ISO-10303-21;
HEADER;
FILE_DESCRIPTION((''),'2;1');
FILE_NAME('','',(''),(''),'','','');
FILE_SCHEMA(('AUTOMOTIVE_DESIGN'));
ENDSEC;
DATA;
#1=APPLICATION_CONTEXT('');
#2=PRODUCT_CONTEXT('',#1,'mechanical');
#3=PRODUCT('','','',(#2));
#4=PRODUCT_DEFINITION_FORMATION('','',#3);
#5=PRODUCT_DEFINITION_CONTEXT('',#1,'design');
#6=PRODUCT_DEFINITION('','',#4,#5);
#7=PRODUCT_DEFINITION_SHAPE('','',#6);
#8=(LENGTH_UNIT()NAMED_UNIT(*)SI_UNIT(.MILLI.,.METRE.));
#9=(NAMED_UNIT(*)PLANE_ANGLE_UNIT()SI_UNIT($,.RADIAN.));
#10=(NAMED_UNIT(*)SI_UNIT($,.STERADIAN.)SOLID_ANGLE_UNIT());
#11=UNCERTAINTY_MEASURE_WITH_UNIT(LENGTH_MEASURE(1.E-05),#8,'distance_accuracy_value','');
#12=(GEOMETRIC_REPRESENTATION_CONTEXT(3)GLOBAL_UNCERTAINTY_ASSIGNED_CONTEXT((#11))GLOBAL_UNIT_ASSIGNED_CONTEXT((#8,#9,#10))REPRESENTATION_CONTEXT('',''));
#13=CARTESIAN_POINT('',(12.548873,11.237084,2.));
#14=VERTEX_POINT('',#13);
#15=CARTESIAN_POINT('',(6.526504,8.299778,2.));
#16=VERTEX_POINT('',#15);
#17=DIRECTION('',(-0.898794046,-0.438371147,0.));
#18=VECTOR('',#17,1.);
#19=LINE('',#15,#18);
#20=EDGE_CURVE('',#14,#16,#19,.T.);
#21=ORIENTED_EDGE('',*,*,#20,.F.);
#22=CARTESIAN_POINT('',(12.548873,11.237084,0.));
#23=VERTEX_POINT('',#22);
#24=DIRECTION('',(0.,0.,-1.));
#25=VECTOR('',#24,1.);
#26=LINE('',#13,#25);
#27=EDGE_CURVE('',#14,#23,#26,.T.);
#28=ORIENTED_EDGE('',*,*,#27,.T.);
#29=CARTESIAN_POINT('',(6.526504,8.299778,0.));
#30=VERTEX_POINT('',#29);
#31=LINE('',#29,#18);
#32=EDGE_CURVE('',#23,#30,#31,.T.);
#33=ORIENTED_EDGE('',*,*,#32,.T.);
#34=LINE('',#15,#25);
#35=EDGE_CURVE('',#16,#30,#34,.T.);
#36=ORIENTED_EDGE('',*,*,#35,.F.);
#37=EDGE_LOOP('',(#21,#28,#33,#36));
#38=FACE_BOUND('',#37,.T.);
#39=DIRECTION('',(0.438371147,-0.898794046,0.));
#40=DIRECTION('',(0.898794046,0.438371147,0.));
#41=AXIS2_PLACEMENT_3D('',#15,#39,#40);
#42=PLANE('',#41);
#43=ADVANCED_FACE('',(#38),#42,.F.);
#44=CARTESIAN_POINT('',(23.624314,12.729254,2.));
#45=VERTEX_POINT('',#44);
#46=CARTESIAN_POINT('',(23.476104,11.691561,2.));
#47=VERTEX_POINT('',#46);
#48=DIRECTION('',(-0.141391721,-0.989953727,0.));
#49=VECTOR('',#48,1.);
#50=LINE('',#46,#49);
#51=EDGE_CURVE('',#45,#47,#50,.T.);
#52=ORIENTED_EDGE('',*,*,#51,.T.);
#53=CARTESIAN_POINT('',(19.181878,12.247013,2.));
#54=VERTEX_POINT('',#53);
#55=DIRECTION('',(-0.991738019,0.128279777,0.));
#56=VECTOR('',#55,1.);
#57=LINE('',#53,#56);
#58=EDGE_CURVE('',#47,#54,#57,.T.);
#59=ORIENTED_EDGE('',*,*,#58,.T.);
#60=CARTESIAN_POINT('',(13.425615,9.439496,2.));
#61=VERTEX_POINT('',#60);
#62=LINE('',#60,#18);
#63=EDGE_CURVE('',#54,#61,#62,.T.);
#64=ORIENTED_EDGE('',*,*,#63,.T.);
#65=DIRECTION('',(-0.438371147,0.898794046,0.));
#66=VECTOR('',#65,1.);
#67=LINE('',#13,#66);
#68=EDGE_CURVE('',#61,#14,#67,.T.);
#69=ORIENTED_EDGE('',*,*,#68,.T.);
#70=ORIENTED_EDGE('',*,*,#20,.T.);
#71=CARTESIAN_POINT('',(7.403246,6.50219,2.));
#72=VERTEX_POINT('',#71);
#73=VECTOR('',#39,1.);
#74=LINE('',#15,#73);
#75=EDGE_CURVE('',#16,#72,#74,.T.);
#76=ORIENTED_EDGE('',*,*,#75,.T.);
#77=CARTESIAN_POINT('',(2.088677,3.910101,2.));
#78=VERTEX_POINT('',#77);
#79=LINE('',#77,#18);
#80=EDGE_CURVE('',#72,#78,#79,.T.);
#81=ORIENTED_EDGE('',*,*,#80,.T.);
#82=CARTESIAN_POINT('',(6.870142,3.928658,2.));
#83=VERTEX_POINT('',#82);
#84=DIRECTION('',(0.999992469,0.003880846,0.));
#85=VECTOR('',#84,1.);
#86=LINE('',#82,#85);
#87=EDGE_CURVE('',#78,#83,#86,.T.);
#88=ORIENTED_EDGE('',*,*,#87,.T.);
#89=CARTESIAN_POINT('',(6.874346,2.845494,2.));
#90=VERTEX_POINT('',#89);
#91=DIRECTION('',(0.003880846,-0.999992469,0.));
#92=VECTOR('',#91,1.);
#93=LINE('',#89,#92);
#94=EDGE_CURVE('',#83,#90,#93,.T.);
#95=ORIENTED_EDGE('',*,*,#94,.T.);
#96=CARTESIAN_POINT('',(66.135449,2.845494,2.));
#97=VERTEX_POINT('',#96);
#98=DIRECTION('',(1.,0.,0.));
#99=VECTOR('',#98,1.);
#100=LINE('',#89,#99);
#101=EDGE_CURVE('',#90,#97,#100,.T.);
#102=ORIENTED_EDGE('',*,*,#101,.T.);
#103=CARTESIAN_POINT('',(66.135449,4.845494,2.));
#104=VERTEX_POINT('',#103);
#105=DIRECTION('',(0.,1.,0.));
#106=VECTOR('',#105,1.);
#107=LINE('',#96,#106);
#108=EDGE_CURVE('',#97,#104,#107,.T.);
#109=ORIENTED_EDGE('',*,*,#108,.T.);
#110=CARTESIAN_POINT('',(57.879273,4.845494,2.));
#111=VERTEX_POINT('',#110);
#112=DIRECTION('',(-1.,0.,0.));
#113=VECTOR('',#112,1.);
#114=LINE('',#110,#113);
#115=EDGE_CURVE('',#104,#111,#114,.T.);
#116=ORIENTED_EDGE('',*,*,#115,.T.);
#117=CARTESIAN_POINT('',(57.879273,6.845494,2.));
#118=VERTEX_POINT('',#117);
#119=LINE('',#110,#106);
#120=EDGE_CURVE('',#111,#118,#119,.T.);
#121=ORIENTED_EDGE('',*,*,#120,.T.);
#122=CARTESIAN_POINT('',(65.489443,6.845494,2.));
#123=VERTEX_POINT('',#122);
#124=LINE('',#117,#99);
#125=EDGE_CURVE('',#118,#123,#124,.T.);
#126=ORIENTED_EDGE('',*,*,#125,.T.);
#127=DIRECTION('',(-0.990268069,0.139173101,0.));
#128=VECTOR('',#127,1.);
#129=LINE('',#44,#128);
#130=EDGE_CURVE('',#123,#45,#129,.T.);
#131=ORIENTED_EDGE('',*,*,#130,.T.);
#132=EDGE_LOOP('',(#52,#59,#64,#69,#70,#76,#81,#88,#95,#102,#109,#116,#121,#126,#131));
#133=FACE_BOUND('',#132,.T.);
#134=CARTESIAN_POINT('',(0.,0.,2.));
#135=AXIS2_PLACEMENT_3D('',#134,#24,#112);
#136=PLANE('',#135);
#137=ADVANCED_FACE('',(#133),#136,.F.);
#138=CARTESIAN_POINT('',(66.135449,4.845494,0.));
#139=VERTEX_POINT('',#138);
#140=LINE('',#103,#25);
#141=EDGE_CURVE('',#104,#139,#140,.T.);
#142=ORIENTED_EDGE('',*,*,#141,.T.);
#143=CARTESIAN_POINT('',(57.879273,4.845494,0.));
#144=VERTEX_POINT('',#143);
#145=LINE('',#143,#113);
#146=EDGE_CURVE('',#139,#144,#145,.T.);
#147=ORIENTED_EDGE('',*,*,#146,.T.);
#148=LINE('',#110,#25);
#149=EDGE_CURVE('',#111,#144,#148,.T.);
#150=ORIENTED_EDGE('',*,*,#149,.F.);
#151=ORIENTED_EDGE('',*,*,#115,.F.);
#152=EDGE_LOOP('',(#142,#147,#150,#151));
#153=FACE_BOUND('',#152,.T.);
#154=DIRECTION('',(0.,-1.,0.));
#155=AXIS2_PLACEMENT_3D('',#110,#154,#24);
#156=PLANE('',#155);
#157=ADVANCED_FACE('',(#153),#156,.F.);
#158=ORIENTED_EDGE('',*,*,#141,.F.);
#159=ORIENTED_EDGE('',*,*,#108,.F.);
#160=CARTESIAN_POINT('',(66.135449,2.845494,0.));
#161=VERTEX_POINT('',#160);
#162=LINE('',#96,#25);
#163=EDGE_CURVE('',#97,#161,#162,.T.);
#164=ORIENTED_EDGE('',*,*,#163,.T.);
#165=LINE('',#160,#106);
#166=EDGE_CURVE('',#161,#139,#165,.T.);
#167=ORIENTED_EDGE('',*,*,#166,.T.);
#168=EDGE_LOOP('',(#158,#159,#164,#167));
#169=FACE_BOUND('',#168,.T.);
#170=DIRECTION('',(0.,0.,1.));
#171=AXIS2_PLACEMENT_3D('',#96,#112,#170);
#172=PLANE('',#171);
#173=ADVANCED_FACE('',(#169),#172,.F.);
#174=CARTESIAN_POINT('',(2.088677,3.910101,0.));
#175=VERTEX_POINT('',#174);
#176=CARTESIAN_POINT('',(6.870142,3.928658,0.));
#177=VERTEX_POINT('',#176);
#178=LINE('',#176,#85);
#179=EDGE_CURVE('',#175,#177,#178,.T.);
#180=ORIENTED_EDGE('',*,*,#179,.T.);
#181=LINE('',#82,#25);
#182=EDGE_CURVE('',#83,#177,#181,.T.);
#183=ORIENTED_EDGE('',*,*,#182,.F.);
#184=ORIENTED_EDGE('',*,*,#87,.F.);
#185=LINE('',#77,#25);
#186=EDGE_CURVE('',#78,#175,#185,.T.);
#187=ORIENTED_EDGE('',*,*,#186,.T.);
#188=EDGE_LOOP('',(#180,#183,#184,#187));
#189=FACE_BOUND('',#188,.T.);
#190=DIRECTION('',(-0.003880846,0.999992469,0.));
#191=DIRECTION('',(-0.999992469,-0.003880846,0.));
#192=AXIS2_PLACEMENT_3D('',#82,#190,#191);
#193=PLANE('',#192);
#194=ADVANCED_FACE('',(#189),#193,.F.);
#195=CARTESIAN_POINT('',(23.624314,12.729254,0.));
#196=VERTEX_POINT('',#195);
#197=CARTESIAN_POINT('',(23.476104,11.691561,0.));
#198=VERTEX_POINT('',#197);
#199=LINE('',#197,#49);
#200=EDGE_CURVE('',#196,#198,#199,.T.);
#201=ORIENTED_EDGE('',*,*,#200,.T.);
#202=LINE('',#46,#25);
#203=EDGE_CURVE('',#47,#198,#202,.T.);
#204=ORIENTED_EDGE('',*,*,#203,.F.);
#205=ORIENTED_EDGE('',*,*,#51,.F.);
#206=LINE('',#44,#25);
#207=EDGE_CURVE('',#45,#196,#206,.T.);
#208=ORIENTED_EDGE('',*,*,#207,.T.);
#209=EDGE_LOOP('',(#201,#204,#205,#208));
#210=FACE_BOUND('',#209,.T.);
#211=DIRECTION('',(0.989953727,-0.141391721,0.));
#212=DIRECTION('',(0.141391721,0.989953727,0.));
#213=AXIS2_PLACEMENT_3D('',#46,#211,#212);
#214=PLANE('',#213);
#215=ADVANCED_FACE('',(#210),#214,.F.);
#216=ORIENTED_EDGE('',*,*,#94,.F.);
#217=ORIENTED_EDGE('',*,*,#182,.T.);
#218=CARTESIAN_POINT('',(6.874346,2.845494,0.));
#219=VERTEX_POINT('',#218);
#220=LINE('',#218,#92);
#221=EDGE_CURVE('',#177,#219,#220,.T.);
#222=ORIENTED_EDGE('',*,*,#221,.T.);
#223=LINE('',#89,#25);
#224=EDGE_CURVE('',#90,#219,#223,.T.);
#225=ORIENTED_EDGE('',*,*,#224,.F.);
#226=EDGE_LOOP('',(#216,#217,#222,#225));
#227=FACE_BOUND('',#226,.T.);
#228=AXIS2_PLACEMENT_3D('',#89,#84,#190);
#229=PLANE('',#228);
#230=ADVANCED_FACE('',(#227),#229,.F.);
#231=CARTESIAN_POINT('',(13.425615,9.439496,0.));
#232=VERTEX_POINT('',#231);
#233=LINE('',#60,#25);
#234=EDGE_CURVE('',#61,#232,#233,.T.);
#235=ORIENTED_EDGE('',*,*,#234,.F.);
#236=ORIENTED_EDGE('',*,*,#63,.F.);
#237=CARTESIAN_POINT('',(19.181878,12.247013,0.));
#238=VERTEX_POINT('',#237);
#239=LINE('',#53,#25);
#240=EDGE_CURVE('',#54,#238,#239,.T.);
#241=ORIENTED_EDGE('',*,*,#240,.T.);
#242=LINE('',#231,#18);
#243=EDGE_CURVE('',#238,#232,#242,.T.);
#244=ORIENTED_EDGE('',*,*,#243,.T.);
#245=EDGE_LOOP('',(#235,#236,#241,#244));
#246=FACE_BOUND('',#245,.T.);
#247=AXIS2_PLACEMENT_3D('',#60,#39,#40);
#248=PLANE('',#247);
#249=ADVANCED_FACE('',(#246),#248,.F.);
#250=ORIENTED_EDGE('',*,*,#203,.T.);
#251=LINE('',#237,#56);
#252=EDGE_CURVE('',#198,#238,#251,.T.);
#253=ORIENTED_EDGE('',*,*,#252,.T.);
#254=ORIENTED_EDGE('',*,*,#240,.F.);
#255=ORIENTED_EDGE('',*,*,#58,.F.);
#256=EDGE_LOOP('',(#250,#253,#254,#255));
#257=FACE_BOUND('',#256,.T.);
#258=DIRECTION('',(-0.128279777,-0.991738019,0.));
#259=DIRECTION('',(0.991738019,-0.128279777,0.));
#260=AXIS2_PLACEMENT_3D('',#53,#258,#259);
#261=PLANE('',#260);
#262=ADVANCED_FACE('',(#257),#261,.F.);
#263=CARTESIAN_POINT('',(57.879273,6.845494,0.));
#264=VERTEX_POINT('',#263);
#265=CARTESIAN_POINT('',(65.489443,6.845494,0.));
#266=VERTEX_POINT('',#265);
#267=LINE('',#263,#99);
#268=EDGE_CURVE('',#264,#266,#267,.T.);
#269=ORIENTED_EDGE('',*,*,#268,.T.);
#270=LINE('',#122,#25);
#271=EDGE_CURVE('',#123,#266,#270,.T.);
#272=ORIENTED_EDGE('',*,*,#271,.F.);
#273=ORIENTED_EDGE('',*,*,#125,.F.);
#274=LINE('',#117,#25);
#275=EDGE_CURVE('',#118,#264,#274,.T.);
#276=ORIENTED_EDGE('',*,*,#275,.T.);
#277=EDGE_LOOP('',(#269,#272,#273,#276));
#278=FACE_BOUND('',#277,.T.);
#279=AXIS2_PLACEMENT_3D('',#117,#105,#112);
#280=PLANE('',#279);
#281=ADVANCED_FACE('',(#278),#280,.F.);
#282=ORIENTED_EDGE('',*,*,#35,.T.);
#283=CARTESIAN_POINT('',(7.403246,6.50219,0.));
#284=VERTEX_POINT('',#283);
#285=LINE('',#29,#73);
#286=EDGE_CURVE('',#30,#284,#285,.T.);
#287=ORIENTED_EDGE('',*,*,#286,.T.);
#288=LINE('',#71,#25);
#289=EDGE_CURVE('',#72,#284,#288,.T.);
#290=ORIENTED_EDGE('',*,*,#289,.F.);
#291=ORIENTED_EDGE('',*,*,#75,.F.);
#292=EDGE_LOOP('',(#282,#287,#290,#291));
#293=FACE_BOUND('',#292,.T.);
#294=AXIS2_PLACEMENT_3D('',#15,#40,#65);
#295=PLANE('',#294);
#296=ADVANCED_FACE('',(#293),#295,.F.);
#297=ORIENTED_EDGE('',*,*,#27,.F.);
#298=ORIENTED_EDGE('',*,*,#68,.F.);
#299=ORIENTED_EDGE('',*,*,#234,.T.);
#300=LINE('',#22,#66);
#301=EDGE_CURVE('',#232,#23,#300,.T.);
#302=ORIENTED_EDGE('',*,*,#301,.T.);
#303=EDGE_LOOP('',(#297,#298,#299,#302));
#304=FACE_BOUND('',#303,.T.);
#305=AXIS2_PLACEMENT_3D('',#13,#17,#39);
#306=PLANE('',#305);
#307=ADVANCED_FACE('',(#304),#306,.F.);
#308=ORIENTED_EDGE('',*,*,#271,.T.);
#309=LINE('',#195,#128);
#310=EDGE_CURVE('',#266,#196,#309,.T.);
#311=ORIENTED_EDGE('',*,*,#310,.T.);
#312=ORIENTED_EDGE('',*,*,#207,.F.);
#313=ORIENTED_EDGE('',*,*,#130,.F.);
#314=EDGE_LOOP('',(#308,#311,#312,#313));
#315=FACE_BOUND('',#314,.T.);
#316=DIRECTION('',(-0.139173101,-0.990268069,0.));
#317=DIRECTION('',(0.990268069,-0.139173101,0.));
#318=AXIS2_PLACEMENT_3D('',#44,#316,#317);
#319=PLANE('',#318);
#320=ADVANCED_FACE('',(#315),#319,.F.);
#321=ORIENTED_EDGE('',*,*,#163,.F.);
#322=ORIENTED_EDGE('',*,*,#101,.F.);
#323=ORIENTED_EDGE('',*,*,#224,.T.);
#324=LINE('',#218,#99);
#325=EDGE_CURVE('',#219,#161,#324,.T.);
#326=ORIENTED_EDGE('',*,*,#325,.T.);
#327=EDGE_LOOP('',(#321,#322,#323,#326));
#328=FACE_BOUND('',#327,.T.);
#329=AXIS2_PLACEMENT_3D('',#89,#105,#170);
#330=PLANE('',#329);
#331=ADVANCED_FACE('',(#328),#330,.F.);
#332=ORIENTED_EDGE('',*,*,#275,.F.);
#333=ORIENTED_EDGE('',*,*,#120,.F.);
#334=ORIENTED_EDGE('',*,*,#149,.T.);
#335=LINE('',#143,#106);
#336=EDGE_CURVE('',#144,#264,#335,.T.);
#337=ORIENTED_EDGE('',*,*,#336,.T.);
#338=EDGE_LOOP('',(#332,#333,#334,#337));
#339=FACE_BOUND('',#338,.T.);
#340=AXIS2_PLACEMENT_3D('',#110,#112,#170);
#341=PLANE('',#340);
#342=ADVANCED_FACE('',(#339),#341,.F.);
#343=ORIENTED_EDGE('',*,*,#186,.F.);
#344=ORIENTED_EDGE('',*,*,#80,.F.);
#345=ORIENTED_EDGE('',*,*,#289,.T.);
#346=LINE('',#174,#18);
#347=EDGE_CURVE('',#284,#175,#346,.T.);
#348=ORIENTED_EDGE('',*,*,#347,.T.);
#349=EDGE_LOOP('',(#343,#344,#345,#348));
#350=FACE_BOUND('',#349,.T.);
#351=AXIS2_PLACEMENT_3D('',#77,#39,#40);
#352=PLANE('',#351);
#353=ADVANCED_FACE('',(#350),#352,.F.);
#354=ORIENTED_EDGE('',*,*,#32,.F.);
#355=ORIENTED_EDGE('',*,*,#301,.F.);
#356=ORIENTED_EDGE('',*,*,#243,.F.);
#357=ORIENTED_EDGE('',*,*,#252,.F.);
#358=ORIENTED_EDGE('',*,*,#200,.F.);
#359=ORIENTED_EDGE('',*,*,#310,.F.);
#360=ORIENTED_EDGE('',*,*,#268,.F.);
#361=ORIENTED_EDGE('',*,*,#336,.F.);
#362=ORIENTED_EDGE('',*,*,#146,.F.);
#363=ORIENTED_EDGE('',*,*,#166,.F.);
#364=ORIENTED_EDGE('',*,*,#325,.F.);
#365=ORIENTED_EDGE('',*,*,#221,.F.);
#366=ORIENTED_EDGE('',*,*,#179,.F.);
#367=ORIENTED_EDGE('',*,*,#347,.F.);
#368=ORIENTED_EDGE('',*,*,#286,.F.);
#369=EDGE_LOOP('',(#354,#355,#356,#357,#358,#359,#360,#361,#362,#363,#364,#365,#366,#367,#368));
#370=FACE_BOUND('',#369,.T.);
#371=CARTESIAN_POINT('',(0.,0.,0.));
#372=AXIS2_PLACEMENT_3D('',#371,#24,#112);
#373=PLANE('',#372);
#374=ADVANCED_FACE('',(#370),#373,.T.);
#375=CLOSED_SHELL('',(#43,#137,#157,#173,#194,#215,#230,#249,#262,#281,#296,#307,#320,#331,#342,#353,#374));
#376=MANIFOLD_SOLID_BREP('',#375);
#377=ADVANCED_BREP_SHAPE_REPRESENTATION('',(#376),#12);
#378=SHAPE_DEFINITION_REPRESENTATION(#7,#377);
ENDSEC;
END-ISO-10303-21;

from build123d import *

# Parameters (mm, degrees)
EXTRUDE_1_DEPTH = 2


with BuildPart() as part:
    # Model → 凸台-拉伸1 (new body)
    with BuildSketch(Plane.XY):
        Polygon((2.088676648, 3.910101346), (7.403245844, 6.502189937), (6.52650355, 8.29977803), (12.548873058, 11.237083899), (13.425615351, 9.439495806), (19.181878442, 12.247012904), (23.476104066, 11.69156147), (23.624314119, 12.729253727), (65.489443321, 6.845493524), (57.879272638, 6.845493524), (57.879272638, 4.845493524), (66.135449034, 4.845493524), (66.135449034, 2.845493524), (6.874346071, 2.845493524), (6.870142446, 3.928657617), align=None)
    extrude(amount=EXTRUDE_1_DEPTH)


solid = part.part
